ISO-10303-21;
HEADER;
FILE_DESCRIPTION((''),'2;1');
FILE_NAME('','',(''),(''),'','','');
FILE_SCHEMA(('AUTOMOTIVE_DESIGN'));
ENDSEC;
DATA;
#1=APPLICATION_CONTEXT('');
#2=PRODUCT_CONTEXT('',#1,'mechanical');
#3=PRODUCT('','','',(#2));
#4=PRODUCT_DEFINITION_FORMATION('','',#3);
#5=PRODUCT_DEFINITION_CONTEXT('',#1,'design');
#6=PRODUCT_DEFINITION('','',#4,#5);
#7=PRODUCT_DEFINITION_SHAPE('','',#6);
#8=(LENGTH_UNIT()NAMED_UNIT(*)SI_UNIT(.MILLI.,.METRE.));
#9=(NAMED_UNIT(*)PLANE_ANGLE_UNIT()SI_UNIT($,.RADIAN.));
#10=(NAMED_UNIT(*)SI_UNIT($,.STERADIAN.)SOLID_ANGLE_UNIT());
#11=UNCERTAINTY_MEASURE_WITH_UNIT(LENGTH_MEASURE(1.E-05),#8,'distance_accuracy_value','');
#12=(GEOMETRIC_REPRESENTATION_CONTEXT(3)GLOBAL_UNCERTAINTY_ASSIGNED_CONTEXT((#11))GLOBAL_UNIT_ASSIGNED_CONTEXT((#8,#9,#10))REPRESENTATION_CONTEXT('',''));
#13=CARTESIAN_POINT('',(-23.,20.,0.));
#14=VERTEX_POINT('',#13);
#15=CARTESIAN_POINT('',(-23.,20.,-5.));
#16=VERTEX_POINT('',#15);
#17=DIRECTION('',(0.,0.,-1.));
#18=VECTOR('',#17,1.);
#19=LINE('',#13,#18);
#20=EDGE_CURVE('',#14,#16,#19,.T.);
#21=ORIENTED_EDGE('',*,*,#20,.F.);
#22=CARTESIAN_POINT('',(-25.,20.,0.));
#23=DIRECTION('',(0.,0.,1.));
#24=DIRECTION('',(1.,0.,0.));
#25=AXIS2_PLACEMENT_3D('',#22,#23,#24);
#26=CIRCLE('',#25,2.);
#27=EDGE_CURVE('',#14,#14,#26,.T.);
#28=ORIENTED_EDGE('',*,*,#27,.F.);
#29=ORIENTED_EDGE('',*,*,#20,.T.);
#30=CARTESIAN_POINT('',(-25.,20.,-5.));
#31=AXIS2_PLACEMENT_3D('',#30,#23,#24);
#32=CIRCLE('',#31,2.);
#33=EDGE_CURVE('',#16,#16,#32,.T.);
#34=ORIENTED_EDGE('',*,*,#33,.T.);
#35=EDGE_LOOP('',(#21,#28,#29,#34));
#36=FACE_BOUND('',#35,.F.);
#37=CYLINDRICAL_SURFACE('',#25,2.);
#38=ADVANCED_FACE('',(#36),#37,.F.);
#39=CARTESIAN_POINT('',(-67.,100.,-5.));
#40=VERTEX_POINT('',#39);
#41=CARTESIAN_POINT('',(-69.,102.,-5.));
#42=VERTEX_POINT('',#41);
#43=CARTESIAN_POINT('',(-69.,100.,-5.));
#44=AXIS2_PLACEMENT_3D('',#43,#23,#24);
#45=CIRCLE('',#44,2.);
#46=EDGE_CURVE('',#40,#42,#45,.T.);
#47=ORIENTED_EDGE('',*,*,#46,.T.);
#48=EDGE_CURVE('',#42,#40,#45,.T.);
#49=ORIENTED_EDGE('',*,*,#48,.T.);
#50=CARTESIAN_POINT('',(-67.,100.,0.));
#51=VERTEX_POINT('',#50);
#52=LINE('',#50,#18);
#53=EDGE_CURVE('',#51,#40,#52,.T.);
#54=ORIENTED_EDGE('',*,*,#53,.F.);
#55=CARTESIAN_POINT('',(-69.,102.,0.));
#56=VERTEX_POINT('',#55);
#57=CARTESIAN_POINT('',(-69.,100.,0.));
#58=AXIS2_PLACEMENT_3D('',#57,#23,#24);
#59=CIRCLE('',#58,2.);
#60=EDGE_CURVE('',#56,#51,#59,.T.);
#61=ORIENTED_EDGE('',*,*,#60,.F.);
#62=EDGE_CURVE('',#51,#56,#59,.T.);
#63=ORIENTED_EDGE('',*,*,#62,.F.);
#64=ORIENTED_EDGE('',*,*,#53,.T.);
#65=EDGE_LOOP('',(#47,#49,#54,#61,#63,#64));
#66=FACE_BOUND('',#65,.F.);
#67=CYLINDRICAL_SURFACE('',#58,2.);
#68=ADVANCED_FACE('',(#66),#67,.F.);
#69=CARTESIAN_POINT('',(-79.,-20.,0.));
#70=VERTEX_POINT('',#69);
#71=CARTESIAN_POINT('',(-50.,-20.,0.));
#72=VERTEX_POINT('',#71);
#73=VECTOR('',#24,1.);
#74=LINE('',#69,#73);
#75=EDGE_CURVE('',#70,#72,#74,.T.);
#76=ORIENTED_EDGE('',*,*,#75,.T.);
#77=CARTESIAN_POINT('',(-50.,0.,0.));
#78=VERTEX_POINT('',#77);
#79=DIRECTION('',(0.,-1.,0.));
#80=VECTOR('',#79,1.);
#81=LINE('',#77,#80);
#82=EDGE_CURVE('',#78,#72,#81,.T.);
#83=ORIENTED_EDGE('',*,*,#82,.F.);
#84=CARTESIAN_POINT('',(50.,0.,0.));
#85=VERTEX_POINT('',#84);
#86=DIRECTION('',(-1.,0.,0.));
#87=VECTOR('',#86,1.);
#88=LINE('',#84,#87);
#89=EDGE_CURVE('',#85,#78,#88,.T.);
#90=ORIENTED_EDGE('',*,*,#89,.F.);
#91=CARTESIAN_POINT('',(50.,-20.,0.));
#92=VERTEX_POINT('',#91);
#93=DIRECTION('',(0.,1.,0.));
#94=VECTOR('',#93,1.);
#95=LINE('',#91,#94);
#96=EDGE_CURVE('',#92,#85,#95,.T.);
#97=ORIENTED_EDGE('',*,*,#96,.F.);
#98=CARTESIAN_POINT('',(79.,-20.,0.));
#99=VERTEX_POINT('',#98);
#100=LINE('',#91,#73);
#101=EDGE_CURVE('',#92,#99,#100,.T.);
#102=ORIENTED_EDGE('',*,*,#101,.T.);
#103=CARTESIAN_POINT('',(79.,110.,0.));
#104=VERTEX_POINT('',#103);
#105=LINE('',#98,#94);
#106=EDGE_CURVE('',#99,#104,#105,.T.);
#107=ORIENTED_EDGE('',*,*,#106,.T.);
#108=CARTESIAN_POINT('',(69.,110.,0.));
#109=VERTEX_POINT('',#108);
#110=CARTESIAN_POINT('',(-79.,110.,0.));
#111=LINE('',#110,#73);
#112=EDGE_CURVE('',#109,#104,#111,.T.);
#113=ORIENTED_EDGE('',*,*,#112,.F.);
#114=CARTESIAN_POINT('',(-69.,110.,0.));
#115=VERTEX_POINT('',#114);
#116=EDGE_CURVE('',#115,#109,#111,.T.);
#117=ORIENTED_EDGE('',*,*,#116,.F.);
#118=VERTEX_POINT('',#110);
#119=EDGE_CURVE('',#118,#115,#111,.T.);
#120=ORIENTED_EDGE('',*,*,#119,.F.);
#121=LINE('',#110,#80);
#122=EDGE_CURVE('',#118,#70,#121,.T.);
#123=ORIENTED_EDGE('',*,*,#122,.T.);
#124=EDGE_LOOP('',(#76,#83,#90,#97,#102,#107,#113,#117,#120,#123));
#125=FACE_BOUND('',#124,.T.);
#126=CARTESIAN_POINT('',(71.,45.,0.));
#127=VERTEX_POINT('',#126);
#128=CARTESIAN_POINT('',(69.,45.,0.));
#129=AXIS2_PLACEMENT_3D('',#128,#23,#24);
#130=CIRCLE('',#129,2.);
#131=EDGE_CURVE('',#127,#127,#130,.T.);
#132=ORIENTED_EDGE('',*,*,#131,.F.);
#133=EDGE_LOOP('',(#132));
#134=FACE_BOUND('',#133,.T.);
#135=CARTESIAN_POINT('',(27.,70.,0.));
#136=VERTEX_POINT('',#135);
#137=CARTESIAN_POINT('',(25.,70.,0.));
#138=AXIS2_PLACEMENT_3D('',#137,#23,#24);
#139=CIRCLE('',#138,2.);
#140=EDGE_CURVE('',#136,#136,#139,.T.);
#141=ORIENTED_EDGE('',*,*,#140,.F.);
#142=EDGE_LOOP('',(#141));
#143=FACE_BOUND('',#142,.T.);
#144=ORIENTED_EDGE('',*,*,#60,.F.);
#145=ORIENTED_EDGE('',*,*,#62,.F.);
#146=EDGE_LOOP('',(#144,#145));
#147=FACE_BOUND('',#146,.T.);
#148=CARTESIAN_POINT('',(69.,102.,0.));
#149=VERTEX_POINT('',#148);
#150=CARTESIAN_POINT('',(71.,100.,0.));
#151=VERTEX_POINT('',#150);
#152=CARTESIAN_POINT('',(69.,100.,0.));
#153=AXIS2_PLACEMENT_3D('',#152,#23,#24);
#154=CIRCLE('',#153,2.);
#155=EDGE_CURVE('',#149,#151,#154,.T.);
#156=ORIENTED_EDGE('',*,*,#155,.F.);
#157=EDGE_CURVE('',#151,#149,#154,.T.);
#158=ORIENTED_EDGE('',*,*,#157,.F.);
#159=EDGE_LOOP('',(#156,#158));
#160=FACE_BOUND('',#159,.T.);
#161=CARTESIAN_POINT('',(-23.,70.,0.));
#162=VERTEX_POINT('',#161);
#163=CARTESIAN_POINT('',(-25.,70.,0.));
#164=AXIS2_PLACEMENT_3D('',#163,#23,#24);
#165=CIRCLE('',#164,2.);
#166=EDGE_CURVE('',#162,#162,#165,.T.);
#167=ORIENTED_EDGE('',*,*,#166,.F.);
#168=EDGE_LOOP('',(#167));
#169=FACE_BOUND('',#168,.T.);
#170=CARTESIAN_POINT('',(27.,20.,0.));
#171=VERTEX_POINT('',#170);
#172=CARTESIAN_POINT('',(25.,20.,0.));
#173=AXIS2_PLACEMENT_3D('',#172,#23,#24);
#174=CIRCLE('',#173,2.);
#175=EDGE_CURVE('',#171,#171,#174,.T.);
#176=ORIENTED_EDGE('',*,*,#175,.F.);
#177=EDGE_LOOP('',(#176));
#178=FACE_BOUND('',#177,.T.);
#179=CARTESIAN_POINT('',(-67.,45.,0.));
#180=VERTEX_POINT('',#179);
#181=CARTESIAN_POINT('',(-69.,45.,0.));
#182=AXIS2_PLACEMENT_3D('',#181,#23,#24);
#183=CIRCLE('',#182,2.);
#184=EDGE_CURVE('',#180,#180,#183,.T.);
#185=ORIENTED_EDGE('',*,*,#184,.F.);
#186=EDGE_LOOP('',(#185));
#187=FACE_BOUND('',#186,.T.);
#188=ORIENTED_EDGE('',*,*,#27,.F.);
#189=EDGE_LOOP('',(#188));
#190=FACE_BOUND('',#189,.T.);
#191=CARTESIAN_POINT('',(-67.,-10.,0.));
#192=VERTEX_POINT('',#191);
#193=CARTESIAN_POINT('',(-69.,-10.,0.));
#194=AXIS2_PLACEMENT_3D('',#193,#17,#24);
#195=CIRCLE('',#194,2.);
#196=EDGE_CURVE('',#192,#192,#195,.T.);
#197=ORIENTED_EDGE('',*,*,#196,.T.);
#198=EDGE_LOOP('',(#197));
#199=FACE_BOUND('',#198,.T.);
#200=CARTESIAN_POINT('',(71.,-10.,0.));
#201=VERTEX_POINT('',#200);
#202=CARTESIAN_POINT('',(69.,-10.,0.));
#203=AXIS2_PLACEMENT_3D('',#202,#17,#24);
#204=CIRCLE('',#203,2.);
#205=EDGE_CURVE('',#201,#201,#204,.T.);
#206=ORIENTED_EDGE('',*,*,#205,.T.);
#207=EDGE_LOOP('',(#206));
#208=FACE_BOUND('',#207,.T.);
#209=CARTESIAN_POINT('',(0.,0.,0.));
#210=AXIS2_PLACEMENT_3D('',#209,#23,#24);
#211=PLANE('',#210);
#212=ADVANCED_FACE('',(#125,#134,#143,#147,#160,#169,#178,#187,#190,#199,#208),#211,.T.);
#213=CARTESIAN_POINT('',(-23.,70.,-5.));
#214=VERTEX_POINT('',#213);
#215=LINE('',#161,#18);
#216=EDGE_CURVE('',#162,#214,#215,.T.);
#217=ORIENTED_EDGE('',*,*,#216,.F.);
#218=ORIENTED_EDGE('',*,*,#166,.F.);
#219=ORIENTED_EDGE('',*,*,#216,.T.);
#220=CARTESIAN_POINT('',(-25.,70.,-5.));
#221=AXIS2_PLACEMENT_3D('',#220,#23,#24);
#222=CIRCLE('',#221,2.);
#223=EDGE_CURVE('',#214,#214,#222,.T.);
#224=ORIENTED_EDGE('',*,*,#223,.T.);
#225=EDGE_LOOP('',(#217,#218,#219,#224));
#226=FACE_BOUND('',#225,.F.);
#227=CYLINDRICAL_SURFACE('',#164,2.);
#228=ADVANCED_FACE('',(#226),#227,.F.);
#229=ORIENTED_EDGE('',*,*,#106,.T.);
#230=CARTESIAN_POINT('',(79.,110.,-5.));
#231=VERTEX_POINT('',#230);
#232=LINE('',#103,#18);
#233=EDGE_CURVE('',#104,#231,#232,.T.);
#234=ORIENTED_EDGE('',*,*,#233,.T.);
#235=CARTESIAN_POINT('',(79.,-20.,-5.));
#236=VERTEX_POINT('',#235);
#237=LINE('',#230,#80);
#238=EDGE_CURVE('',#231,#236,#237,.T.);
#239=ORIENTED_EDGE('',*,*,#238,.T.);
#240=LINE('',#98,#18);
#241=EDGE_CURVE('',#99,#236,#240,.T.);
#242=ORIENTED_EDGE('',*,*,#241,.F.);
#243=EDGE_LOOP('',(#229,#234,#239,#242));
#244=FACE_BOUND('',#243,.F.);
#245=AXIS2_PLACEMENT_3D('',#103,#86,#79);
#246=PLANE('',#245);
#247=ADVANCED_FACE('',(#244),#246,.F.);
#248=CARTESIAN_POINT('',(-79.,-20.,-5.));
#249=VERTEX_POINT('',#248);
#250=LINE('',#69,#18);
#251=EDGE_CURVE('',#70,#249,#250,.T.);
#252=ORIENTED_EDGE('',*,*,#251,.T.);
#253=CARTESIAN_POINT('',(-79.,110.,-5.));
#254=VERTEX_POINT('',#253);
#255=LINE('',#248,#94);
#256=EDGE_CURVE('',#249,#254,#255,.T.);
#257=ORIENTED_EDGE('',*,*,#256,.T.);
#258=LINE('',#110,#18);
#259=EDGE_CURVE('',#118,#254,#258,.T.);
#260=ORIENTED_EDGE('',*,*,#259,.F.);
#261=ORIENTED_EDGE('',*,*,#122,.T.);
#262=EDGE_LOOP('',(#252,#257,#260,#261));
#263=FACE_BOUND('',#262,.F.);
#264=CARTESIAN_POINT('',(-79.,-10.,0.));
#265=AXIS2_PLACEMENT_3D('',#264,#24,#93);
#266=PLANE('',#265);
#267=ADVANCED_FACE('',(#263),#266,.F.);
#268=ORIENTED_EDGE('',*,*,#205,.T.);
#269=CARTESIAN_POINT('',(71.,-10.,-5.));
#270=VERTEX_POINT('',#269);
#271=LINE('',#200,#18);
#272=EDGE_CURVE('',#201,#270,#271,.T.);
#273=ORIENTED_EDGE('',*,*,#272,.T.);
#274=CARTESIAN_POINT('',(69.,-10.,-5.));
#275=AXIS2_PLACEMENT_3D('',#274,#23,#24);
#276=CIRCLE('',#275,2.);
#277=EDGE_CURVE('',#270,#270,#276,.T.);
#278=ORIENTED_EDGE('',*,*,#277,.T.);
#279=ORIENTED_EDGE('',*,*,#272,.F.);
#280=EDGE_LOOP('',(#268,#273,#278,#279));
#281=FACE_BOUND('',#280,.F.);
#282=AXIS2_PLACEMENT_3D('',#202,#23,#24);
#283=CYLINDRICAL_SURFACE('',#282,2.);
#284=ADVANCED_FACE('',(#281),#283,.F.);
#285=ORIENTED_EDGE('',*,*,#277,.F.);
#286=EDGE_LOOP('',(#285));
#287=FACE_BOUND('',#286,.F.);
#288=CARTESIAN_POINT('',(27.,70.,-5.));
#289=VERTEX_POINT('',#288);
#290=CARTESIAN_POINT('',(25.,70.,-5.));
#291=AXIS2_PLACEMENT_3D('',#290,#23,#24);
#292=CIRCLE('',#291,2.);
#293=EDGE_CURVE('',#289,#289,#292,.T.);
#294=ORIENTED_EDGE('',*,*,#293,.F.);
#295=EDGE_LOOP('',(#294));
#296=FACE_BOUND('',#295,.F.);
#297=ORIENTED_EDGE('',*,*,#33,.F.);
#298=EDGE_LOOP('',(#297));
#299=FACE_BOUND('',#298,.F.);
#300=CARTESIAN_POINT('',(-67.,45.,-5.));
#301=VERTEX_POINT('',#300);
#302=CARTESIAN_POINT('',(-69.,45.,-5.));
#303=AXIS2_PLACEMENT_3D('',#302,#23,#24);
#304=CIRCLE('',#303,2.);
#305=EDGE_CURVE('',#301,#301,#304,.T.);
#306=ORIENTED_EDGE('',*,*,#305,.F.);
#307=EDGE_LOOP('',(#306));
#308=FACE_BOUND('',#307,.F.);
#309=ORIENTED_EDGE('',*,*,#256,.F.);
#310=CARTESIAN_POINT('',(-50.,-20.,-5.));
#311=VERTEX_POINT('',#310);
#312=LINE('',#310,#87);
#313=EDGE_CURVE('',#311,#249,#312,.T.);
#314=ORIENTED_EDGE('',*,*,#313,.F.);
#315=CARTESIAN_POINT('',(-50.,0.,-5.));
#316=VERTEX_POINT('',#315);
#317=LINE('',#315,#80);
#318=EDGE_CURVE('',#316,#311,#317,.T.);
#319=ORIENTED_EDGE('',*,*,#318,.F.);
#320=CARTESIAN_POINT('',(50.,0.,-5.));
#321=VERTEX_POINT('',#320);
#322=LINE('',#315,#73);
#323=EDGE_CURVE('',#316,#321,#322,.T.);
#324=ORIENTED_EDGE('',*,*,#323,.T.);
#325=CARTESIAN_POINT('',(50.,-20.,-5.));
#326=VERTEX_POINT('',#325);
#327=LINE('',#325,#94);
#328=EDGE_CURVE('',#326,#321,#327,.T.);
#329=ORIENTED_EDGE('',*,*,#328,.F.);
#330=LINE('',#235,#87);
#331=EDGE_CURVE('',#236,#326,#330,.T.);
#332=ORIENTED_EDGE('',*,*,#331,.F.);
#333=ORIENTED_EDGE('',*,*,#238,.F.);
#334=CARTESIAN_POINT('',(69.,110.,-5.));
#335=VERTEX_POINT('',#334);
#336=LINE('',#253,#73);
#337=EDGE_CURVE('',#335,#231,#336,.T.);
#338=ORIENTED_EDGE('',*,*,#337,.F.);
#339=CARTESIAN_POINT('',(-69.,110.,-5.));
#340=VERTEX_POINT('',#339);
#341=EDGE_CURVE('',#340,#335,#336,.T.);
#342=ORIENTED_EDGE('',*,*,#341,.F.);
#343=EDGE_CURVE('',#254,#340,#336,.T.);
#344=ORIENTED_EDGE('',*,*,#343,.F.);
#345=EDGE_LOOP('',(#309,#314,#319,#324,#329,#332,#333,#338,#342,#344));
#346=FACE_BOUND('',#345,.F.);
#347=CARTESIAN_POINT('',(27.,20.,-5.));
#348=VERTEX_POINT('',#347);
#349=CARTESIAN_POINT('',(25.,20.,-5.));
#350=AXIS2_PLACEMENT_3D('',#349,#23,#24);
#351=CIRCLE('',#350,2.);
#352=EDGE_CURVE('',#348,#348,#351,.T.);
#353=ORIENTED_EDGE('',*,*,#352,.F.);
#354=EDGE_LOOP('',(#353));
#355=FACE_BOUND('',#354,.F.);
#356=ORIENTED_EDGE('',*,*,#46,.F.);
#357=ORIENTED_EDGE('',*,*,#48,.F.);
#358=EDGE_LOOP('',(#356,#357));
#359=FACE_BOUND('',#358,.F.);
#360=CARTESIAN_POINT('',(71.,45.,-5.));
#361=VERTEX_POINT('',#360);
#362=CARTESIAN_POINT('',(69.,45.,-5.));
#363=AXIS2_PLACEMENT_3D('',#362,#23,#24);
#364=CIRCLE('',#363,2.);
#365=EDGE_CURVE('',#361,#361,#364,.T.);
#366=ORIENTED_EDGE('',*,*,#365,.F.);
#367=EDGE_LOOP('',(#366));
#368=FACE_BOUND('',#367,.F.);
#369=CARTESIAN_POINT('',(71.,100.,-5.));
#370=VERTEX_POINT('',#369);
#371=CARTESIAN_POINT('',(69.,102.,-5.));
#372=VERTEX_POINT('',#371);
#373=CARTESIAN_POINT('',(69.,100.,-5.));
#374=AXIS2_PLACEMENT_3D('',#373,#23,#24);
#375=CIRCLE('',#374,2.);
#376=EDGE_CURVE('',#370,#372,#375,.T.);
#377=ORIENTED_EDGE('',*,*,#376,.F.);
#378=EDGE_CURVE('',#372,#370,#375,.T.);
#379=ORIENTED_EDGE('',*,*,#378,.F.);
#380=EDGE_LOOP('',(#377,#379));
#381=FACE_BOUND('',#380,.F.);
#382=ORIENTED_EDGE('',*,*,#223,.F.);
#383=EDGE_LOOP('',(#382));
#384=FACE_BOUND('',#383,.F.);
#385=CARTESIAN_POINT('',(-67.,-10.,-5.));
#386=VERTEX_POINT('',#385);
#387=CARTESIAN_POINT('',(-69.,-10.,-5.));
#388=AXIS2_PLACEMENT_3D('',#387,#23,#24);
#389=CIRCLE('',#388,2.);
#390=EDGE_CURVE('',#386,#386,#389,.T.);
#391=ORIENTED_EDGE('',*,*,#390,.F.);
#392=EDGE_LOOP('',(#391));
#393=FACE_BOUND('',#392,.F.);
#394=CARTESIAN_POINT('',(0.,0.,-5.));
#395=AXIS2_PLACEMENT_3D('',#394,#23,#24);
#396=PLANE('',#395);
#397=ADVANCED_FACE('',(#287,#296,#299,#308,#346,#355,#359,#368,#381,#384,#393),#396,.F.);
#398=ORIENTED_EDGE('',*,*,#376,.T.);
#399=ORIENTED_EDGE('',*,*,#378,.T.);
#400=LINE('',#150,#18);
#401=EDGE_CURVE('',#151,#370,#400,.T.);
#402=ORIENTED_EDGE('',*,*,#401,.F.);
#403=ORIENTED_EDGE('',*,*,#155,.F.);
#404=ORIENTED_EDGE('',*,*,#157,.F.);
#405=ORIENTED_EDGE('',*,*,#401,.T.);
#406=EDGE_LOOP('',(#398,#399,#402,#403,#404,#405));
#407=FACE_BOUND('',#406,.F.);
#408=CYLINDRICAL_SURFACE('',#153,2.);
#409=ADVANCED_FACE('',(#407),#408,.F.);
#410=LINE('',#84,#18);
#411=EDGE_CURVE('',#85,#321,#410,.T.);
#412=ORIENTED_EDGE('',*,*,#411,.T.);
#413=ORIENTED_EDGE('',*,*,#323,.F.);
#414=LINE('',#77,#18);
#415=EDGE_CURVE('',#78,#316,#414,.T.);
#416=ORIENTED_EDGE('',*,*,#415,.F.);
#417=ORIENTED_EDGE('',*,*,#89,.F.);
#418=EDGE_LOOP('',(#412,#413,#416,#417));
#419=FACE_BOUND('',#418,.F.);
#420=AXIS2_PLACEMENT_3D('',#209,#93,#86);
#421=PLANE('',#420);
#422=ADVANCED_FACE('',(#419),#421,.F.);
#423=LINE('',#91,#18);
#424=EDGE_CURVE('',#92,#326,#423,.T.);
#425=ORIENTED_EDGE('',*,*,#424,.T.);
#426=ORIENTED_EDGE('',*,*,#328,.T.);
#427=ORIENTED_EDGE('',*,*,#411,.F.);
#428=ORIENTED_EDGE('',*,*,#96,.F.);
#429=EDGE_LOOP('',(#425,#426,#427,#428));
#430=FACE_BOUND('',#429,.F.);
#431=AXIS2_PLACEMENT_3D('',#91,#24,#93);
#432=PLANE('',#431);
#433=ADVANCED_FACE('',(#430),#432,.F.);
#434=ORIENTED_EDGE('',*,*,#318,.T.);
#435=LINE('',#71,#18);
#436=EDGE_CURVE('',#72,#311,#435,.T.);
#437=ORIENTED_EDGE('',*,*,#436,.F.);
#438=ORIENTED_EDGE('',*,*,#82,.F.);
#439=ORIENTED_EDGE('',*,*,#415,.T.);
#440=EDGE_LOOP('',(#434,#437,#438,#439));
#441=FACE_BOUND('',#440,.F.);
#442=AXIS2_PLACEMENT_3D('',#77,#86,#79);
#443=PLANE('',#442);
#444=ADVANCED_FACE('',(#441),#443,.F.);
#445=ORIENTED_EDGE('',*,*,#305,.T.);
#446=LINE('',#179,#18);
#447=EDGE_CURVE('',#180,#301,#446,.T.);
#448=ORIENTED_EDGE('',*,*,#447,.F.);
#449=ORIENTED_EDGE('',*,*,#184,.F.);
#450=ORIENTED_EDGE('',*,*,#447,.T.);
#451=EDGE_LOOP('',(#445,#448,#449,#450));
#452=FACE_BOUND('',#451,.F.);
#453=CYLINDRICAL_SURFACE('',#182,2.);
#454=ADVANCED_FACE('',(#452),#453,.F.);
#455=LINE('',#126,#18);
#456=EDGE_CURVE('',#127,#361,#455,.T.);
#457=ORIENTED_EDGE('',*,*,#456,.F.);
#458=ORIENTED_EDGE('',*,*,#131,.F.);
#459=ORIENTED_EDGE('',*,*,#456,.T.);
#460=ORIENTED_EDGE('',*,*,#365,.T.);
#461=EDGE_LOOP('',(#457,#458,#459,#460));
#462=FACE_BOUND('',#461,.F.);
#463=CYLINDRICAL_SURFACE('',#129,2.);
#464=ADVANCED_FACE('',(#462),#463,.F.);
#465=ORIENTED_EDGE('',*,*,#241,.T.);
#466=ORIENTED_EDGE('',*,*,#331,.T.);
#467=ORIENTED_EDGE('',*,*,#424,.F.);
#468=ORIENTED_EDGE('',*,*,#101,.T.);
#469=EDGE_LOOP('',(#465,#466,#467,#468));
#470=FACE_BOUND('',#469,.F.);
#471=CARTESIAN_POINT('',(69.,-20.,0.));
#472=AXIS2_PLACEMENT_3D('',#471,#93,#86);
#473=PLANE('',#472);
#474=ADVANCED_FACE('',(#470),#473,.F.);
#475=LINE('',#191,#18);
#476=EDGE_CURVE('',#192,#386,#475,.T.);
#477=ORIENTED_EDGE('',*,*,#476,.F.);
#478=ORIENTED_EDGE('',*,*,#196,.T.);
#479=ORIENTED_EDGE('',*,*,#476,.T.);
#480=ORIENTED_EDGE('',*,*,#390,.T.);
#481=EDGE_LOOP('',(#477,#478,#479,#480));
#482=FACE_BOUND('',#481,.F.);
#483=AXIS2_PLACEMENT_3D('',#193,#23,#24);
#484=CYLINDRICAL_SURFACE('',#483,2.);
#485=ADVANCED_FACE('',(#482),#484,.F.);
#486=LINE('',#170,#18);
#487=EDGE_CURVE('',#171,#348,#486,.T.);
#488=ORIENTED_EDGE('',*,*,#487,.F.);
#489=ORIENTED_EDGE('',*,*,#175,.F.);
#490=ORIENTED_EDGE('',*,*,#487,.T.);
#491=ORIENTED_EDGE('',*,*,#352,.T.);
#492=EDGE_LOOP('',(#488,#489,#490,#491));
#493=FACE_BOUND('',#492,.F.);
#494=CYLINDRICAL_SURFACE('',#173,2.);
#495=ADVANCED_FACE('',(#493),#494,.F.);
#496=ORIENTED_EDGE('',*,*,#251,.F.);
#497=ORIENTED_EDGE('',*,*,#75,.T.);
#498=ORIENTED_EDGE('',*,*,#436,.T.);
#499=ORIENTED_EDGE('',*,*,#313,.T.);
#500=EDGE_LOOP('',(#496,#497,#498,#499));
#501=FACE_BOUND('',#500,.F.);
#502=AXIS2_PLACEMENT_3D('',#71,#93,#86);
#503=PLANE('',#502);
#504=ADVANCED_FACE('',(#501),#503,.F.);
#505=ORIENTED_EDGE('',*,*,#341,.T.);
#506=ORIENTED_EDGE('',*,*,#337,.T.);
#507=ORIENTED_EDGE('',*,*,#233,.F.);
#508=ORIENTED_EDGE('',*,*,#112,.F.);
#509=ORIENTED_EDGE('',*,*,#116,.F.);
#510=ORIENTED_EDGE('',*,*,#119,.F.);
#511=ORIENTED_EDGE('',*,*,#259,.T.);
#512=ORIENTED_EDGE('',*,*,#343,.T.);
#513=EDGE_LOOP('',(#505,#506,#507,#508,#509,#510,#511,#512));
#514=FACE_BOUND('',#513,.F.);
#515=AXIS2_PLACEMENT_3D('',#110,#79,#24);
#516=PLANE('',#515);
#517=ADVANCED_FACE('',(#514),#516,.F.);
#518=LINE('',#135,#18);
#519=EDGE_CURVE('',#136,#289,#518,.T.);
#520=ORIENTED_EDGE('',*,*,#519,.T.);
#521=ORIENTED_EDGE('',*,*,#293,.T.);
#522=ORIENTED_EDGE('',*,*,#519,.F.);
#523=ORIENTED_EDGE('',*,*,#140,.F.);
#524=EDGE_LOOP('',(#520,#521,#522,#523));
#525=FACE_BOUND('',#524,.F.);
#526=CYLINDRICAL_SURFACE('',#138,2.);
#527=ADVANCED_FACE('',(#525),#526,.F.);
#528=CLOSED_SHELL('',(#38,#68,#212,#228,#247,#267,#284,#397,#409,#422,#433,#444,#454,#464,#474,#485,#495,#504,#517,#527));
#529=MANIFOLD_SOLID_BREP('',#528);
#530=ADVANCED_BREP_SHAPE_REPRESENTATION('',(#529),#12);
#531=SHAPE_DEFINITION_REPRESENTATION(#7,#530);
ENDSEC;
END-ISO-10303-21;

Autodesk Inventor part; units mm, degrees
ref_plane "YZ Plane" through (0, 0, 0) normal (1, 0, 0) x (0, 1, 0)
ref_plane "XZ Plane" through (0, 0, 0) normal (0, 1, 0) x (-1, 0, 0)
ref_plane "XY Plane" through (0, 0, 0) normal (0, 0, 1) x (1, 0, 0)
sketch "Esquisse1" plane through (0, 0, 0) normal (0, 0, 1) x (1, 0, 0)
  line L0 (0, 0) -> (-50, 0)
  line L1 (-50, 0) -> (-50, -20)
  line L2 (-50, -20) -> (-79, -20)
  line L3 (-79, -20) -> (-79, 110)
  line L4 (-79, 110) -> (79, 110)
  line L5 (79, 110) -> (79, -20)
  line L6 (79, -20) -> (50, -20)
  line L7 (50, -20) -> (50, 0)
  line L8 (50, 0) -> (0, 0)
  line L9 (-69, 110) -> (-69, 100)
  line L10 (-69, 100) -> (-69, 45) construction
  line L11 (-69, 45) -> (-69, -10) construction
  line L12 (-69, -10) -> (-69, -20)
  line L13 (69, -20) -> (69, -10)
  line L14 (69, -10) -> (69, 45) construction
  line L15 (69, 45) -> (69, 100) construction
  line L16 (69, 100) -> (69, 110)
  circle A0 centre (-69, 100) radius 2
  circle A1 centre (69, 100) radius 2
  circle A2 centre (69, 45) radius 2
  circle A3 centre (-69, 45) radius 2
  circle A4 centre (-69, -10) radius 2
  circle A5 centre (69, -10) radius 2
  line L17 (-69, -10) -> (-79, -10)
  line L18 (69, -10) -> (79, -10)
  line L19 (25, 70) -> (-25, 70) construction
  line L20 (-25, 70) -> (-25, 20) construction
  line L21 (-25, 20) -> (25, 20) construction
  line L22 (25, 20) -> (25, 70) construction
  line L23 (25, 70) -> (-25, 20) construction
  line L24 (-25, 70) -> (25, 20) construction
  line L25 (-69, 45) -> (69, 45) construction
  circle A6 centre (-25, 70) radius 2
  circle A7 centre (25, 70) radius 2
  circle A8 centre (25, 20) radius 2
  circle A9 centre (-25, 20) radius 2
  point P0 (0, 45)
  dimension "d0" = 130
  dimension "d1" = 110
  dimension "d2" = 100
  dimension "d3" = 158
  dimension "d4" = 10
  dimension "d5" = 4
  dimension "d8" = 4
  dimension "d9" = 50
  dimension "d10" = 50
extrude "Extrusion1" add sketch "Esquisse1" against normal blind 5 contours L0 L1 L2 L12 A4 L17 L3 L4 L5 L18 A5 L13 L6 L7 L8 | L2 L3 L17 A4 L12 | L13 A5 L18 L5 L6
properties part number "Plaque avant"
